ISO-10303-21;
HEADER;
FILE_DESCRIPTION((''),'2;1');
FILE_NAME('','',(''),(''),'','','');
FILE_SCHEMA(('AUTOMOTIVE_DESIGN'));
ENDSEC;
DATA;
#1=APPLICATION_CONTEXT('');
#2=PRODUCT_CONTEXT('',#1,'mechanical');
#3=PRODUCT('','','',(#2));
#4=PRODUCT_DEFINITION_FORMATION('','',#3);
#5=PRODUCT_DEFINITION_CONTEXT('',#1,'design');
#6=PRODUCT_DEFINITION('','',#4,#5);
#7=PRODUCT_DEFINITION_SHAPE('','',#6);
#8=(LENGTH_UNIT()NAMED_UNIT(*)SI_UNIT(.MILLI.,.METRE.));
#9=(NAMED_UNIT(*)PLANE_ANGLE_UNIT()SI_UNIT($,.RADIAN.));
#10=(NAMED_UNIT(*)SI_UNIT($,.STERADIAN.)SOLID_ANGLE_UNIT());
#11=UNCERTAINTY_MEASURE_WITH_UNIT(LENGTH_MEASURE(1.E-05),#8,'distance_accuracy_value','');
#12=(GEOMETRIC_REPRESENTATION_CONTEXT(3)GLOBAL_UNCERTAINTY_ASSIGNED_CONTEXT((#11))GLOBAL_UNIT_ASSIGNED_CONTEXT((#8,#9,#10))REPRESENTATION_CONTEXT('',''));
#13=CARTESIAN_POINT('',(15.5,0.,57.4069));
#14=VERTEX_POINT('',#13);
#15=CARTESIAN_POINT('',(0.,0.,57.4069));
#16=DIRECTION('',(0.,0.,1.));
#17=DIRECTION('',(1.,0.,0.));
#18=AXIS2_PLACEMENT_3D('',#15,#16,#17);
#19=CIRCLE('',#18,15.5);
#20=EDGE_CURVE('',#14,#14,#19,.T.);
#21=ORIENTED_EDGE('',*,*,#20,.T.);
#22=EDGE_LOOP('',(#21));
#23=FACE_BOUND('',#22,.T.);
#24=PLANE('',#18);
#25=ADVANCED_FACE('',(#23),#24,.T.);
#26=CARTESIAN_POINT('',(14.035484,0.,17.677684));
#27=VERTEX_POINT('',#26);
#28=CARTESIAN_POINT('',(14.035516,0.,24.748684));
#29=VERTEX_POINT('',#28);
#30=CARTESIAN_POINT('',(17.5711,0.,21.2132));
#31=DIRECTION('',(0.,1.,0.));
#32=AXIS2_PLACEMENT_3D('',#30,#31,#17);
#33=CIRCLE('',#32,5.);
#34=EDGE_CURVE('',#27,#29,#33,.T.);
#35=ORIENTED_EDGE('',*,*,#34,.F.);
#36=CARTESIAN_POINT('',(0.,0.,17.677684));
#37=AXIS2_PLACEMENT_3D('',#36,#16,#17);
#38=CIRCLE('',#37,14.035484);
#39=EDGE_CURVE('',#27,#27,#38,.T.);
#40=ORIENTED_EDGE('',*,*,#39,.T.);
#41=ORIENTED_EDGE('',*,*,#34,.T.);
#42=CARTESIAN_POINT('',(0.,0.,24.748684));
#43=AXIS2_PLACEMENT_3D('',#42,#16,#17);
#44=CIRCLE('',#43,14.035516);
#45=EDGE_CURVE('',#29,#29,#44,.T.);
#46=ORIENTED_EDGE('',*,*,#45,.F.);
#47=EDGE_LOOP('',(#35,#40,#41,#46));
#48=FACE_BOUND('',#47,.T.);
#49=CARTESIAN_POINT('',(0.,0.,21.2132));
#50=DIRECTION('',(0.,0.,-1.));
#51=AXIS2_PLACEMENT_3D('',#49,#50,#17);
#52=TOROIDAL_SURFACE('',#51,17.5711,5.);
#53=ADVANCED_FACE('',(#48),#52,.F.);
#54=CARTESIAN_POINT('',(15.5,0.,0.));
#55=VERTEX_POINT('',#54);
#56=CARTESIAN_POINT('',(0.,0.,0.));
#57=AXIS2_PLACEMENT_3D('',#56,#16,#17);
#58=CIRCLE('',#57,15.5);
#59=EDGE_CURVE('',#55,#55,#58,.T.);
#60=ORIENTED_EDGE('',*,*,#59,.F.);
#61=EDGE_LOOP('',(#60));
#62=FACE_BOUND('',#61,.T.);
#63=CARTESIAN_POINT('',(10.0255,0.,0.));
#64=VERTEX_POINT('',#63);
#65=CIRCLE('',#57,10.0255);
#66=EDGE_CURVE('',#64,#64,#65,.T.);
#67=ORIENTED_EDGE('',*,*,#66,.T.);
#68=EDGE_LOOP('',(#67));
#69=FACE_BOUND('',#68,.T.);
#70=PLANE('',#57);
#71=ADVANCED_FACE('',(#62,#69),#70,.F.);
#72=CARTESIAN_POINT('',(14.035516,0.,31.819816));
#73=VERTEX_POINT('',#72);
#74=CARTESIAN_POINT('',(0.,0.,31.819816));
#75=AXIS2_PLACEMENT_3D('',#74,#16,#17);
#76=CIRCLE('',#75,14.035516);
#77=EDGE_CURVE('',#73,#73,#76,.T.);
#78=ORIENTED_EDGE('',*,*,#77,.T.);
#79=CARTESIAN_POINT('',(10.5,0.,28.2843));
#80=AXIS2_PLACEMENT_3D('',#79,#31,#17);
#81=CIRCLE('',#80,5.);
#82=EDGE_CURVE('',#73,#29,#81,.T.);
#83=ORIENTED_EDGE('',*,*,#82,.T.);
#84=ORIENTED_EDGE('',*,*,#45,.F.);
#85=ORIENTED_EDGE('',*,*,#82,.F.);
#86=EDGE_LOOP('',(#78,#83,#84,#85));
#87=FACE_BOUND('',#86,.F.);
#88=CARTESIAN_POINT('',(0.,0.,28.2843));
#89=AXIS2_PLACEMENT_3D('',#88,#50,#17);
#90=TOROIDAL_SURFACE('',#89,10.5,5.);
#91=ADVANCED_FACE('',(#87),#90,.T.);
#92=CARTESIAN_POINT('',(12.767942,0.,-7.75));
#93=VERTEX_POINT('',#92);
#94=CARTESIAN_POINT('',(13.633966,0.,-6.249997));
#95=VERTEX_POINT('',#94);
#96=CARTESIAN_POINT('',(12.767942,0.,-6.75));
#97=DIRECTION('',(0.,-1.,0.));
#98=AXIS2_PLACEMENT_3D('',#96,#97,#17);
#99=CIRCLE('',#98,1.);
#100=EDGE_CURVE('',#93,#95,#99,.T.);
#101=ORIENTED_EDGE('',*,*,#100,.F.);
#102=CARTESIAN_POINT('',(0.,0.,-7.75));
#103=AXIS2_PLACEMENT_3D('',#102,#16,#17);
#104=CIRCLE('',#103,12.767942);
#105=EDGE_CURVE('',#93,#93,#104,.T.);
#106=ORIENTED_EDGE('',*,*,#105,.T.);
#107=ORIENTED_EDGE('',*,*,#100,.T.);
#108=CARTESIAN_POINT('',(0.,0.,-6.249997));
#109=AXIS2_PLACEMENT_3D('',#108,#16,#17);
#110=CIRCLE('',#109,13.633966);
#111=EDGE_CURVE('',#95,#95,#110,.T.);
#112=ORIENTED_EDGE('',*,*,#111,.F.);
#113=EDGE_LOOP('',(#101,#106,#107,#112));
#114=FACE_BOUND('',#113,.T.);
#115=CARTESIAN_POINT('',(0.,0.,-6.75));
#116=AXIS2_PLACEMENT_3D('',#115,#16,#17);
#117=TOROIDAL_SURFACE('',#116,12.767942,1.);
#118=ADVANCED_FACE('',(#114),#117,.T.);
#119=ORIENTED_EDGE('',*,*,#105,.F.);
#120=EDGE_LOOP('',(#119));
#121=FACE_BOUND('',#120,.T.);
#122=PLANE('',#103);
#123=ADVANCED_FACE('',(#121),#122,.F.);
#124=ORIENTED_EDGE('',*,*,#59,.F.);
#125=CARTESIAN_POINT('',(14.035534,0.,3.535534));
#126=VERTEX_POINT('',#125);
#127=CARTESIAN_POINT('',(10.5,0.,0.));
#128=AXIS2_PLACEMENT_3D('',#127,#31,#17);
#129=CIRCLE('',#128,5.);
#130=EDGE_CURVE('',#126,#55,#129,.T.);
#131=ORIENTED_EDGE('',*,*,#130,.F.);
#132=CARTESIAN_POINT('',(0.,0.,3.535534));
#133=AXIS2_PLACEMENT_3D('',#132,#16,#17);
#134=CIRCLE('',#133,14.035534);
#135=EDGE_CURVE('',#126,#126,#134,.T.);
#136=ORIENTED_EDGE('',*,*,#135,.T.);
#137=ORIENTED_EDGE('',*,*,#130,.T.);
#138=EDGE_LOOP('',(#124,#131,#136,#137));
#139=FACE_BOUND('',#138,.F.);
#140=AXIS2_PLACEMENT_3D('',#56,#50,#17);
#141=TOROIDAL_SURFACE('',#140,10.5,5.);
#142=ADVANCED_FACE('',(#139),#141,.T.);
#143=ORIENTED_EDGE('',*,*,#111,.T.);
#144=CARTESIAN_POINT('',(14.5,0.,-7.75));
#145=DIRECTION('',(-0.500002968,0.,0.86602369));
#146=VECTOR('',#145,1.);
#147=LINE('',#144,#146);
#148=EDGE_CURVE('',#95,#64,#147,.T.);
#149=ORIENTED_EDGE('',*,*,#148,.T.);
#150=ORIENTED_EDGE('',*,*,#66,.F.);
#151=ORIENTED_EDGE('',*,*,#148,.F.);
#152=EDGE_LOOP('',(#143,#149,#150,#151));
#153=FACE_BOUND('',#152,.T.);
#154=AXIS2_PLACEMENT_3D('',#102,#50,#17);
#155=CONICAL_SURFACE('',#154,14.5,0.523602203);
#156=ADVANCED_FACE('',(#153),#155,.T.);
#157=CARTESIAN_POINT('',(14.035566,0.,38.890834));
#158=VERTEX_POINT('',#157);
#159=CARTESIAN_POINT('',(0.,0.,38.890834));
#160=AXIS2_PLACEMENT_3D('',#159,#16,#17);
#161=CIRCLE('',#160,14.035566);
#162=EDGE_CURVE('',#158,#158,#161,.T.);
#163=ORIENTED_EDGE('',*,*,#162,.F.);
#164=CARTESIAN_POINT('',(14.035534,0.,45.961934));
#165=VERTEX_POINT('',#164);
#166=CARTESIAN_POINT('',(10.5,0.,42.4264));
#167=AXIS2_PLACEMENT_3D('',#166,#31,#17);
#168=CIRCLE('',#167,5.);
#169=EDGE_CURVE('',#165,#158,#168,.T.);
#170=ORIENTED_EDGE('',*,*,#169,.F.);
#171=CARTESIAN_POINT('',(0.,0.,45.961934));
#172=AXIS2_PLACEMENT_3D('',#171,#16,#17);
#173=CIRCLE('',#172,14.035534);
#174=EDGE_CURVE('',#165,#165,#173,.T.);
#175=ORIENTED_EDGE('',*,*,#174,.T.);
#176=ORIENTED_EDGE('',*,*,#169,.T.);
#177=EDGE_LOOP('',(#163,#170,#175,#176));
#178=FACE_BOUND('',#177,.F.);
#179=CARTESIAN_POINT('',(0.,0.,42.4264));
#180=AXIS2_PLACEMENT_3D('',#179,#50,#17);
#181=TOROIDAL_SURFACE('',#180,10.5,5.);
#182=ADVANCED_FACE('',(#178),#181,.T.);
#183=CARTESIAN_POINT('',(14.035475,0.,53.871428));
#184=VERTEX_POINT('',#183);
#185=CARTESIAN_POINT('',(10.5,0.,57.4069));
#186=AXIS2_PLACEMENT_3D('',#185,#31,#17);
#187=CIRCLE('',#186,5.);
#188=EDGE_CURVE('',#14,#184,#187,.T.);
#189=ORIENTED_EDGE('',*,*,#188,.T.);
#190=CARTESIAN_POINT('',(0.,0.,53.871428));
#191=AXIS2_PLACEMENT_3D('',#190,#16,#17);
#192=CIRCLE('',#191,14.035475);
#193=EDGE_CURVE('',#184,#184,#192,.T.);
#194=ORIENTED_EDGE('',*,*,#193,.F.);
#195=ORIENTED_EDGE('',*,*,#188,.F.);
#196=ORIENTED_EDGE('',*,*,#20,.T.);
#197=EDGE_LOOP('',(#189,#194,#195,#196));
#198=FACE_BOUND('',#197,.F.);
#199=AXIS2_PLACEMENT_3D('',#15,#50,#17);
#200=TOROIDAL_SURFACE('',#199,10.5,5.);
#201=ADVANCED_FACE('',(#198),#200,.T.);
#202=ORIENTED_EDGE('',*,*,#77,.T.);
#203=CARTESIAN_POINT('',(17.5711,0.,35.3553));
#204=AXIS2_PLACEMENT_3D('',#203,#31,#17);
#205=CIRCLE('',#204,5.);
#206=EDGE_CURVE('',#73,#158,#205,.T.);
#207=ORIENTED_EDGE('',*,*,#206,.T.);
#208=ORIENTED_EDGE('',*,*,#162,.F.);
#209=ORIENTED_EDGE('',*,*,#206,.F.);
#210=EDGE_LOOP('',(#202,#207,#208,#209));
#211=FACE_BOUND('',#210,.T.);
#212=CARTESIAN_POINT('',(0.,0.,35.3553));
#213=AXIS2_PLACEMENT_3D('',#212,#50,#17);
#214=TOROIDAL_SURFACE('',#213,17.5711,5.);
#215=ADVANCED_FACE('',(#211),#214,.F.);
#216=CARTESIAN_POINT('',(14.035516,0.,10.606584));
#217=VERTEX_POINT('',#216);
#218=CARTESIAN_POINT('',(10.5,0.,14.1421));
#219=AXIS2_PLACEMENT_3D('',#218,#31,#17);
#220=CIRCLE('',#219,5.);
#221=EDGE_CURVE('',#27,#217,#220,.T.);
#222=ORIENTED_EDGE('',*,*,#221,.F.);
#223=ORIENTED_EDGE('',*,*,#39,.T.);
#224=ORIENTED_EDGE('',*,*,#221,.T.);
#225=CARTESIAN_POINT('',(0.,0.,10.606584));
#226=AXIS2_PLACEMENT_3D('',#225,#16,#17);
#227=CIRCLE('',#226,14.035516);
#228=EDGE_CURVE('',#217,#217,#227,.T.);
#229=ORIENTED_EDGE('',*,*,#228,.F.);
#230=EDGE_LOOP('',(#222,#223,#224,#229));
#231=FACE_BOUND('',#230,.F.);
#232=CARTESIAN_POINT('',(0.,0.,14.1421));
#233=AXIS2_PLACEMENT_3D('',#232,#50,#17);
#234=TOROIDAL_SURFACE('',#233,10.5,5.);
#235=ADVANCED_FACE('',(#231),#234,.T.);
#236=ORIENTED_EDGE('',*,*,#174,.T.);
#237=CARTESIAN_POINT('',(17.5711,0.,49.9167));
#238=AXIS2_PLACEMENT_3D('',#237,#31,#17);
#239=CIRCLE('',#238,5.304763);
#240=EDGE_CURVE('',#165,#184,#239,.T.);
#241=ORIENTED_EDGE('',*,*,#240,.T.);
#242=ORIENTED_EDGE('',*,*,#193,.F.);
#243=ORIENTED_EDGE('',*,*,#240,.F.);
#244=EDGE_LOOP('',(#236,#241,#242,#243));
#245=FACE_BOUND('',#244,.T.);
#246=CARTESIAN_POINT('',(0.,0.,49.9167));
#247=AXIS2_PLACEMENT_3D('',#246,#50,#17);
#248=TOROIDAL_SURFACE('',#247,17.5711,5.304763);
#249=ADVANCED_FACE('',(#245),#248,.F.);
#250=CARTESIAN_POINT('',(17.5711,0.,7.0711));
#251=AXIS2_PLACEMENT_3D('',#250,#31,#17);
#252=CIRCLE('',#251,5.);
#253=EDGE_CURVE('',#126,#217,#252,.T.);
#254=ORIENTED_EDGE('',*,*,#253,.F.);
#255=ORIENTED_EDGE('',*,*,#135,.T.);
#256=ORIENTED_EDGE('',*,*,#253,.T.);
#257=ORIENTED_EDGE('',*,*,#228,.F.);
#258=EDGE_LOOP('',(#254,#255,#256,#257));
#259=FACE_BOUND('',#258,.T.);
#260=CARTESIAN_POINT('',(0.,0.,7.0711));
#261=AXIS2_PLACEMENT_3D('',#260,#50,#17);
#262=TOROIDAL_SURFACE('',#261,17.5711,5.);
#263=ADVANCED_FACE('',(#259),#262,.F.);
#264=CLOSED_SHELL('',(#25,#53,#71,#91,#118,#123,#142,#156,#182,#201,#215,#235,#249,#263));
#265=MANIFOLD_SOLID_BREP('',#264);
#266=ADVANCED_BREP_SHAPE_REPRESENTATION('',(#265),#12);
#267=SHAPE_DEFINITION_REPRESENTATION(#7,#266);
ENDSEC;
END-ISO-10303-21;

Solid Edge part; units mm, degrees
sketch "Sketch1" plane through (0, 0, 0) normal (0, -1, 0) x (1, 0, 0)
  arc A0 (14.0355, 31.8198) -> (14.0355, 38.8909) centre (17.5711, 35.3553) cw
  arc A1 (14.0355, 45.9619) -> (14.0355, 38.8909) centre (10.5, 42.4264) cw
  arc A2 (14.0355, 45.9619) -> (14.0355, 53.8714) centre (17.5711, 49.9167) cw
  arc A3 (15.5, 57.4069) -> (14.0355, 53.8714) centre (10.5, 57.4069) cw
  line L0 (15.5, 57.4069) -> (0, 57.4069)
  line L1 (0, -7.75) -> (0, 57.4069)
  line L2 (0, -7.75) -> (14.5, -7.75)
  line L3 (14.5, -7.75) -> (10.0255, 0)
  line L4 (10.0255, 0) -> (15.5, 0)
  arc A4 (14.0355, 3.5355) -> (15.5, 0) centre (10.5, 0) cw
  arc A5 (14.0355, 3.5355) -> (14.0355, 10.6066) centre (17.5711, 7.0711) cw
  arc A6 (14.0355, 17.6777) -> (14.0355, 10.6066) centre (10.5, 14.1421) cw
  arc A7 (14.0355, 17.6777) -> (14.0355, 24.7487) centre (17.5711, 21.2132) cw
  arc A8 (14.0355, 31.8198) -> (14.0355, 24.7487) centre (10.5, 28.2843) cw
revolve "RevolvedProtrusion1" add sketch "Sketch1" angle 360 about axis through (0, 0, -7.75) along (0, 0, 1)
fillet "Round1" radius 1 1 edges at (-14.5, 0, -7.75)
